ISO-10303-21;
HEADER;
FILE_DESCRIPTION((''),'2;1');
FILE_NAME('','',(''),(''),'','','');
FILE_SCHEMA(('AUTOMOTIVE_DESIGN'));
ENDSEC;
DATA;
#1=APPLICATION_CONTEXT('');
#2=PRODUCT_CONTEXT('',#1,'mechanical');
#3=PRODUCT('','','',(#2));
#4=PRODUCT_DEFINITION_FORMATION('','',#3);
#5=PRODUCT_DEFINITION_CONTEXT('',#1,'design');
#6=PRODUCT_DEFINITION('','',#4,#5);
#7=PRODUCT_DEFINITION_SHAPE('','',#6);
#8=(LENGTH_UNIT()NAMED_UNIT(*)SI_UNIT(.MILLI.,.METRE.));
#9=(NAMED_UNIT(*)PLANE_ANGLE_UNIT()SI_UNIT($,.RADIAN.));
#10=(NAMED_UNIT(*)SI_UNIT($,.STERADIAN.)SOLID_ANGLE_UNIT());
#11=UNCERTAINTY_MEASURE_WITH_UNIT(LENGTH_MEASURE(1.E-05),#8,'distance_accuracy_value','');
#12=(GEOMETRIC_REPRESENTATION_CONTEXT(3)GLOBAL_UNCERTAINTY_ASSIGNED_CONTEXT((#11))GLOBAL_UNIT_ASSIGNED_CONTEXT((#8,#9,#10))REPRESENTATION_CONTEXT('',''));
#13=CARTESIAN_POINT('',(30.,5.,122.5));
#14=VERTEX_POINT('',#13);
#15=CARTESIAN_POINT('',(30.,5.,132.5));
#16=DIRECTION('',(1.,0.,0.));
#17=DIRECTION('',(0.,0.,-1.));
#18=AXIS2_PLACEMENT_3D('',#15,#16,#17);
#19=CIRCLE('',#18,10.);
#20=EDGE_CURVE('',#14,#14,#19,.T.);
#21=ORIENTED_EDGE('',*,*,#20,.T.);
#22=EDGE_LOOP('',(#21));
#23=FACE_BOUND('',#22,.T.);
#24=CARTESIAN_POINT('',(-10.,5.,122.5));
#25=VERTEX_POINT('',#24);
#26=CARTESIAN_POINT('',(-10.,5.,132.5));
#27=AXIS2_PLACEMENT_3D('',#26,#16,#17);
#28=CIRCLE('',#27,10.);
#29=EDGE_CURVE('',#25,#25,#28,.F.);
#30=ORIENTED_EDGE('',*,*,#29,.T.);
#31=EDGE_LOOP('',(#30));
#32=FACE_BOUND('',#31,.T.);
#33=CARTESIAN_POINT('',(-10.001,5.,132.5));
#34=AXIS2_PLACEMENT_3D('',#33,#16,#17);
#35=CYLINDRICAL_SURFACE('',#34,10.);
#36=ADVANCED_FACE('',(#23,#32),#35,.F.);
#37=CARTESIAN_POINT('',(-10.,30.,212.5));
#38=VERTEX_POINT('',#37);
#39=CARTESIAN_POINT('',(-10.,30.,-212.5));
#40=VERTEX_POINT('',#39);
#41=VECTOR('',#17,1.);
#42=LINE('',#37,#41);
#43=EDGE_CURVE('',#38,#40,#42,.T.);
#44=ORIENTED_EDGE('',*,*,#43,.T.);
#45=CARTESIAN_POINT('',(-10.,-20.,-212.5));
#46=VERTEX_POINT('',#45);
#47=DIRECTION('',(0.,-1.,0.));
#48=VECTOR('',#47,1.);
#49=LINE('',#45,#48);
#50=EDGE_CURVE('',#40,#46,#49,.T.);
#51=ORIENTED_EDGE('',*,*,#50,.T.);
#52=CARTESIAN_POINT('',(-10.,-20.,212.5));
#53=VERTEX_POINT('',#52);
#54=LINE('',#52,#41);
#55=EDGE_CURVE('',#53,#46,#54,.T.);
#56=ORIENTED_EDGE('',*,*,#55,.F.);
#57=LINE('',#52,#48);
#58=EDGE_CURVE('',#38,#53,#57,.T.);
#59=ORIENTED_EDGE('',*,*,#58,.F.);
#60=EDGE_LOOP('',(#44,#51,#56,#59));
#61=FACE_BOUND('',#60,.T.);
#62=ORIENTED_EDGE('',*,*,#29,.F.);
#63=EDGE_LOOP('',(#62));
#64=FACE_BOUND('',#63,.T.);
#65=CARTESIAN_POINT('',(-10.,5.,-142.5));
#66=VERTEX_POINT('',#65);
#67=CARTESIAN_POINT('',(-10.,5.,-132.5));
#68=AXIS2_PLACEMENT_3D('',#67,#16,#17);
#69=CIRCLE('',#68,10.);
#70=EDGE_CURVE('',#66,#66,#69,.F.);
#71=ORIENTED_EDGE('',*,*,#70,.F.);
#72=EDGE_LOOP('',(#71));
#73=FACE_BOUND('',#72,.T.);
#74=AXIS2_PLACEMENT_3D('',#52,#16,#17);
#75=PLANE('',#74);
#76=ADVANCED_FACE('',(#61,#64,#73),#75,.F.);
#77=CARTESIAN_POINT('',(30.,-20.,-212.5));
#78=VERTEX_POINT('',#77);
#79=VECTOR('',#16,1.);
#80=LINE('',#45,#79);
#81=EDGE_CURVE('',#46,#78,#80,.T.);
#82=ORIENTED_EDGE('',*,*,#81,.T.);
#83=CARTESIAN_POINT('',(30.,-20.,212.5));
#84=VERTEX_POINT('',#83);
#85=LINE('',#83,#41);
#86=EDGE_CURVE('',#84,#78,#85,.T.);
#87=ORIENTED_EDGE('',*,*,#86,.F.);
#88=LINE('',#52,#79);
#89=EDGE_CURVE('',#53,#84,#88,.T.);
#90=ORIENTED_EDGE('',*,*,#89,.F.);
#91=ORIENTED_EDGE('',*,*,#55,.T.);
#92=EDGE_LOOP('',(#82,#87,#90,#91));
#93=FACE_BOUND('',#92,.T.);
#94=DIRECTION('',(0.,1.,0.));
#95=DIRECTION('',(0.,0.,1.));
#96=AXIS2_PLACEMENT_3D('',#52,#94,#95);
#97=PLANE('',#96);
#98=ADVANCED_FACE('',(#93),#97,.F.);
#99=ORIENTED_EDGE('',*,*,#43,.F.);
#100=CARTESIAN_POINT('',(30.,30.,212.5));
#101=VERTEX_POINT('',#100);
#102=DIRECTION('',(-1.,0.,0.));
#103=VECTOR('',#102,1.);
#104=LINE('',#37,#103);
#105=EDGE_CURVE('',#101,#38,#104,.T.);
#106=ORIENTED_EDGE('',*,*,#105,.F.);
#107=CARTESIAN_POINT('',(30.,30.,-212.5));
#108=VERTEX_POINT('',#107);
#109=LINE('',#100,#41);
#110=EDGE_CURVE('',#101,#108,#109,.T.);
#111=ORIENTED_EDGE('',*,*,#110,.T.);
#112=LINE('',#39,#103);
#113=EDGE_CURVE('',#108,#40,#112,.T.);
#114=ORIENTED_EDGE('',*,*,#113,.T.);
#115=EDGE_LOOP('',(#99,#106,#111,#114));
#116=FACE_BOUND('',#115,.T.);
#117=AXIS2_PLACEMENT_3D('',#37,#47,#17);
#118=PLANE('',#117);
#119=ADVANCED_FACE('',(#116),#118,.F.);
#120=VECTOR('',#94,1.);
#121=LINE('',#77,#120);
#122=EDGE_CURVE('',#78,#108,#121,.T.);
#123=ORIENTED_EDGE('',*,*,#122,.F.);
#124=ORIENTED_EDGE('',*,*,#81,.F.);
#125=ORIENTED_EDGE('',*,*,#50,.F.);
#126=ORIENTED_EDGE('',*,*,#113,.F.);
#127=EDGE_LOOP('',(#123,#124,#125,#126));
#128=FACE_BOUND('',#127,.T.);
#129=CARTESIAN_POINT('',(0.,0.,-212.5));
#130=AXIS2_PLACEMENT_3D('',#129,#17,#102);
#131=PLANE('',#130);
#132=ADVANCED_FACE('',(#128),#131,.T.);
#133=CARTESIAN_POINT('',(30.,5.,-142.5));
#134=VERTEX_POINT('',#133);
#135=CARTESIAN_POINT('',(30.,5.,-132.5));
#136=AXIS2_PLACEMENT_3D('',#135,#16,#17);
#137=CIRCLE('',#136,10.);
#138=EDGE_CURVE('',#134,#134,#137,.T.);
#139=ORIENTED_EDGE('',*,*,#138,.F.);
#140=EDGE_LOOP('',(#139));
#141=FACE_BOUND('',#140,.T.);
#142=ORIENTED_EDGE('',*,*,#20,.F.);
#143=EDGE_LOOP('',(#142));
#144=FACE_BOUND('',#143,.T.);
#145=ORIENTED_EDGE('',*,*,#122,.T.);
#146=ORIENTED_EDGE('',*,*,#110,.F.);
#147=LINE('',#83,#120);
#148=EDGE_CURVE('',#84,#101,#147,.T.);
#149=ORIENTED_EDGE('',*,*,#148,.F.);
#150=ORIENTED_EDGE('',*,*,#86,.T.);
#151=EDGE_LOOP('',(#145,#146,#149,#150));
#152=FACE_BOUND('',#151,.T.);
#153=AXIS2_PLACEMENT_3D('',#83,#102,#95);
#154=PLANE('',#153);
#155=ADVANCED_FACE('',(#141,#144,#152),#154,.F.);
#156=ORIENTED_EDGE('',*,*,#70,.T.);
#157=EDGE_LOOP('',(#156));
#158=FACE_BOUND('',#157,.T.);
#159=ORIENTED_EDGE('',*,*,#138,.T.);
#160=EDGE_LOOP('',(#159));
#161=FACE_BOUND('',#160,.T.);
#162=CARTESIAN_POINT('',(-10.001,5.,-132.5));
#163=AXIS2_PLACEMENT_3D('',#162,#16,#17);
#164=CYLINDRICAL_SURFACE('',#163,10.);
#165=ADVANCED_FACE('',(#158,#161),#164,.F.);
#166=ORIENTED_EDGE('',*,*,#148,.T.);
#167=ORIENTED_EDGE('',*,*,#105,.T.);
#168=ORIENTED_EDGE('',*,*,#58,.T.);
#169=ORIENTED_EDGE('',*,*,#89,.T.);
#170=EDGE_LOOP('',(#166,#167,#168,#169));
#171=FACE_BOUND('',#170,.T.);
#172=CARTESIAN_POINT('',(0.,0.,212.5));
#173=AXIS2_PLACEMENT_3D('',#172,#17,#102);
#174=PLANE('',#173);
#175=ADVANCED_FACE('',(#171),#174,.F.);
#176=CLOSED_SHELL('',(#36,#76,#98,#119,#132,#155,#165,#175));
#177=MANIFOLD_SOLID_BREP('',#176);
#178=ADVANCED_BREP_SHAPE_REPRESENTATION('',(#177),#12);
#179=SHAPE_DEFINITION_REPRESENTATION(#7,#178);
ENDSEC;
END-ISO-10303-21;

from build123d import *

# Parameters (mm, degrees)
SKETCH_1_W          = 40
SKETCH_1_H          = 50
EXTRUDE_1_DEPTH     = 212.5
CUT_EXTRUDE_1_REACH = 220.303
SKETCH_2_R          = 10


with BuildPart() as part:
    # 草图1 → 凸台-拉伸1 (new, symmetric)
    with BuildSketch(Plane.XY):
        with Locations((10, 5)):
            Rectangle(SKETCH_1_W, SKETCH_1_H)
    extrude(amount=EXTRUDE_1_DEPTH, both=True)

    # 草图2 → 切除-拉伸1 (cut, up to next)
    with BuildSketch(Plane(origin=(30, 0, 0), x_dir=(0, 0, -1), z_dir=(1, 0, 0)), mode=Mode.PRIVATE) as cut_extrude_1_sk1:
        with Locations((-132.5, 5)):
            Circle(SKETCH_2_R)
    cut_extrude_1_tool1 = extrude(cut_extrude_1_sk1.sketch, amount=-CUT_EXTRUDE_1_REACH, mode=Mode.PRIVATE) & part.part
    # 草图2 → 切除-拉伸1 (cut, up to next)
    with BuildSketch(Plane(origin=(30, 0, 0), x_dir=(0, 0, -1), z_dir=(1, 0, 0)), mode=Mode.PRIVATE) as cut_extrude_1_sk2:
        with Locations((132.5, 5)):
            Circle(SKETCH_2_R)
    cut_extrude_1_tool2 = extrude(cut_extrude_1_sk2.sketch, amount=-CUT_EXTRUDE_1_REACH, mode=Mode.PRIVATE) & part.part
    add(cut_extrude_1_tool1.solids().sort_by_distance((30, 5, 132.5))[0], mode=Mode.SUBTRACT)
    add(cut_extrude_1_tool2.solids().sort_by_distance((30, 5, -132.5))[0], mode=Mode.SUBTRACT)


solid = part.part
